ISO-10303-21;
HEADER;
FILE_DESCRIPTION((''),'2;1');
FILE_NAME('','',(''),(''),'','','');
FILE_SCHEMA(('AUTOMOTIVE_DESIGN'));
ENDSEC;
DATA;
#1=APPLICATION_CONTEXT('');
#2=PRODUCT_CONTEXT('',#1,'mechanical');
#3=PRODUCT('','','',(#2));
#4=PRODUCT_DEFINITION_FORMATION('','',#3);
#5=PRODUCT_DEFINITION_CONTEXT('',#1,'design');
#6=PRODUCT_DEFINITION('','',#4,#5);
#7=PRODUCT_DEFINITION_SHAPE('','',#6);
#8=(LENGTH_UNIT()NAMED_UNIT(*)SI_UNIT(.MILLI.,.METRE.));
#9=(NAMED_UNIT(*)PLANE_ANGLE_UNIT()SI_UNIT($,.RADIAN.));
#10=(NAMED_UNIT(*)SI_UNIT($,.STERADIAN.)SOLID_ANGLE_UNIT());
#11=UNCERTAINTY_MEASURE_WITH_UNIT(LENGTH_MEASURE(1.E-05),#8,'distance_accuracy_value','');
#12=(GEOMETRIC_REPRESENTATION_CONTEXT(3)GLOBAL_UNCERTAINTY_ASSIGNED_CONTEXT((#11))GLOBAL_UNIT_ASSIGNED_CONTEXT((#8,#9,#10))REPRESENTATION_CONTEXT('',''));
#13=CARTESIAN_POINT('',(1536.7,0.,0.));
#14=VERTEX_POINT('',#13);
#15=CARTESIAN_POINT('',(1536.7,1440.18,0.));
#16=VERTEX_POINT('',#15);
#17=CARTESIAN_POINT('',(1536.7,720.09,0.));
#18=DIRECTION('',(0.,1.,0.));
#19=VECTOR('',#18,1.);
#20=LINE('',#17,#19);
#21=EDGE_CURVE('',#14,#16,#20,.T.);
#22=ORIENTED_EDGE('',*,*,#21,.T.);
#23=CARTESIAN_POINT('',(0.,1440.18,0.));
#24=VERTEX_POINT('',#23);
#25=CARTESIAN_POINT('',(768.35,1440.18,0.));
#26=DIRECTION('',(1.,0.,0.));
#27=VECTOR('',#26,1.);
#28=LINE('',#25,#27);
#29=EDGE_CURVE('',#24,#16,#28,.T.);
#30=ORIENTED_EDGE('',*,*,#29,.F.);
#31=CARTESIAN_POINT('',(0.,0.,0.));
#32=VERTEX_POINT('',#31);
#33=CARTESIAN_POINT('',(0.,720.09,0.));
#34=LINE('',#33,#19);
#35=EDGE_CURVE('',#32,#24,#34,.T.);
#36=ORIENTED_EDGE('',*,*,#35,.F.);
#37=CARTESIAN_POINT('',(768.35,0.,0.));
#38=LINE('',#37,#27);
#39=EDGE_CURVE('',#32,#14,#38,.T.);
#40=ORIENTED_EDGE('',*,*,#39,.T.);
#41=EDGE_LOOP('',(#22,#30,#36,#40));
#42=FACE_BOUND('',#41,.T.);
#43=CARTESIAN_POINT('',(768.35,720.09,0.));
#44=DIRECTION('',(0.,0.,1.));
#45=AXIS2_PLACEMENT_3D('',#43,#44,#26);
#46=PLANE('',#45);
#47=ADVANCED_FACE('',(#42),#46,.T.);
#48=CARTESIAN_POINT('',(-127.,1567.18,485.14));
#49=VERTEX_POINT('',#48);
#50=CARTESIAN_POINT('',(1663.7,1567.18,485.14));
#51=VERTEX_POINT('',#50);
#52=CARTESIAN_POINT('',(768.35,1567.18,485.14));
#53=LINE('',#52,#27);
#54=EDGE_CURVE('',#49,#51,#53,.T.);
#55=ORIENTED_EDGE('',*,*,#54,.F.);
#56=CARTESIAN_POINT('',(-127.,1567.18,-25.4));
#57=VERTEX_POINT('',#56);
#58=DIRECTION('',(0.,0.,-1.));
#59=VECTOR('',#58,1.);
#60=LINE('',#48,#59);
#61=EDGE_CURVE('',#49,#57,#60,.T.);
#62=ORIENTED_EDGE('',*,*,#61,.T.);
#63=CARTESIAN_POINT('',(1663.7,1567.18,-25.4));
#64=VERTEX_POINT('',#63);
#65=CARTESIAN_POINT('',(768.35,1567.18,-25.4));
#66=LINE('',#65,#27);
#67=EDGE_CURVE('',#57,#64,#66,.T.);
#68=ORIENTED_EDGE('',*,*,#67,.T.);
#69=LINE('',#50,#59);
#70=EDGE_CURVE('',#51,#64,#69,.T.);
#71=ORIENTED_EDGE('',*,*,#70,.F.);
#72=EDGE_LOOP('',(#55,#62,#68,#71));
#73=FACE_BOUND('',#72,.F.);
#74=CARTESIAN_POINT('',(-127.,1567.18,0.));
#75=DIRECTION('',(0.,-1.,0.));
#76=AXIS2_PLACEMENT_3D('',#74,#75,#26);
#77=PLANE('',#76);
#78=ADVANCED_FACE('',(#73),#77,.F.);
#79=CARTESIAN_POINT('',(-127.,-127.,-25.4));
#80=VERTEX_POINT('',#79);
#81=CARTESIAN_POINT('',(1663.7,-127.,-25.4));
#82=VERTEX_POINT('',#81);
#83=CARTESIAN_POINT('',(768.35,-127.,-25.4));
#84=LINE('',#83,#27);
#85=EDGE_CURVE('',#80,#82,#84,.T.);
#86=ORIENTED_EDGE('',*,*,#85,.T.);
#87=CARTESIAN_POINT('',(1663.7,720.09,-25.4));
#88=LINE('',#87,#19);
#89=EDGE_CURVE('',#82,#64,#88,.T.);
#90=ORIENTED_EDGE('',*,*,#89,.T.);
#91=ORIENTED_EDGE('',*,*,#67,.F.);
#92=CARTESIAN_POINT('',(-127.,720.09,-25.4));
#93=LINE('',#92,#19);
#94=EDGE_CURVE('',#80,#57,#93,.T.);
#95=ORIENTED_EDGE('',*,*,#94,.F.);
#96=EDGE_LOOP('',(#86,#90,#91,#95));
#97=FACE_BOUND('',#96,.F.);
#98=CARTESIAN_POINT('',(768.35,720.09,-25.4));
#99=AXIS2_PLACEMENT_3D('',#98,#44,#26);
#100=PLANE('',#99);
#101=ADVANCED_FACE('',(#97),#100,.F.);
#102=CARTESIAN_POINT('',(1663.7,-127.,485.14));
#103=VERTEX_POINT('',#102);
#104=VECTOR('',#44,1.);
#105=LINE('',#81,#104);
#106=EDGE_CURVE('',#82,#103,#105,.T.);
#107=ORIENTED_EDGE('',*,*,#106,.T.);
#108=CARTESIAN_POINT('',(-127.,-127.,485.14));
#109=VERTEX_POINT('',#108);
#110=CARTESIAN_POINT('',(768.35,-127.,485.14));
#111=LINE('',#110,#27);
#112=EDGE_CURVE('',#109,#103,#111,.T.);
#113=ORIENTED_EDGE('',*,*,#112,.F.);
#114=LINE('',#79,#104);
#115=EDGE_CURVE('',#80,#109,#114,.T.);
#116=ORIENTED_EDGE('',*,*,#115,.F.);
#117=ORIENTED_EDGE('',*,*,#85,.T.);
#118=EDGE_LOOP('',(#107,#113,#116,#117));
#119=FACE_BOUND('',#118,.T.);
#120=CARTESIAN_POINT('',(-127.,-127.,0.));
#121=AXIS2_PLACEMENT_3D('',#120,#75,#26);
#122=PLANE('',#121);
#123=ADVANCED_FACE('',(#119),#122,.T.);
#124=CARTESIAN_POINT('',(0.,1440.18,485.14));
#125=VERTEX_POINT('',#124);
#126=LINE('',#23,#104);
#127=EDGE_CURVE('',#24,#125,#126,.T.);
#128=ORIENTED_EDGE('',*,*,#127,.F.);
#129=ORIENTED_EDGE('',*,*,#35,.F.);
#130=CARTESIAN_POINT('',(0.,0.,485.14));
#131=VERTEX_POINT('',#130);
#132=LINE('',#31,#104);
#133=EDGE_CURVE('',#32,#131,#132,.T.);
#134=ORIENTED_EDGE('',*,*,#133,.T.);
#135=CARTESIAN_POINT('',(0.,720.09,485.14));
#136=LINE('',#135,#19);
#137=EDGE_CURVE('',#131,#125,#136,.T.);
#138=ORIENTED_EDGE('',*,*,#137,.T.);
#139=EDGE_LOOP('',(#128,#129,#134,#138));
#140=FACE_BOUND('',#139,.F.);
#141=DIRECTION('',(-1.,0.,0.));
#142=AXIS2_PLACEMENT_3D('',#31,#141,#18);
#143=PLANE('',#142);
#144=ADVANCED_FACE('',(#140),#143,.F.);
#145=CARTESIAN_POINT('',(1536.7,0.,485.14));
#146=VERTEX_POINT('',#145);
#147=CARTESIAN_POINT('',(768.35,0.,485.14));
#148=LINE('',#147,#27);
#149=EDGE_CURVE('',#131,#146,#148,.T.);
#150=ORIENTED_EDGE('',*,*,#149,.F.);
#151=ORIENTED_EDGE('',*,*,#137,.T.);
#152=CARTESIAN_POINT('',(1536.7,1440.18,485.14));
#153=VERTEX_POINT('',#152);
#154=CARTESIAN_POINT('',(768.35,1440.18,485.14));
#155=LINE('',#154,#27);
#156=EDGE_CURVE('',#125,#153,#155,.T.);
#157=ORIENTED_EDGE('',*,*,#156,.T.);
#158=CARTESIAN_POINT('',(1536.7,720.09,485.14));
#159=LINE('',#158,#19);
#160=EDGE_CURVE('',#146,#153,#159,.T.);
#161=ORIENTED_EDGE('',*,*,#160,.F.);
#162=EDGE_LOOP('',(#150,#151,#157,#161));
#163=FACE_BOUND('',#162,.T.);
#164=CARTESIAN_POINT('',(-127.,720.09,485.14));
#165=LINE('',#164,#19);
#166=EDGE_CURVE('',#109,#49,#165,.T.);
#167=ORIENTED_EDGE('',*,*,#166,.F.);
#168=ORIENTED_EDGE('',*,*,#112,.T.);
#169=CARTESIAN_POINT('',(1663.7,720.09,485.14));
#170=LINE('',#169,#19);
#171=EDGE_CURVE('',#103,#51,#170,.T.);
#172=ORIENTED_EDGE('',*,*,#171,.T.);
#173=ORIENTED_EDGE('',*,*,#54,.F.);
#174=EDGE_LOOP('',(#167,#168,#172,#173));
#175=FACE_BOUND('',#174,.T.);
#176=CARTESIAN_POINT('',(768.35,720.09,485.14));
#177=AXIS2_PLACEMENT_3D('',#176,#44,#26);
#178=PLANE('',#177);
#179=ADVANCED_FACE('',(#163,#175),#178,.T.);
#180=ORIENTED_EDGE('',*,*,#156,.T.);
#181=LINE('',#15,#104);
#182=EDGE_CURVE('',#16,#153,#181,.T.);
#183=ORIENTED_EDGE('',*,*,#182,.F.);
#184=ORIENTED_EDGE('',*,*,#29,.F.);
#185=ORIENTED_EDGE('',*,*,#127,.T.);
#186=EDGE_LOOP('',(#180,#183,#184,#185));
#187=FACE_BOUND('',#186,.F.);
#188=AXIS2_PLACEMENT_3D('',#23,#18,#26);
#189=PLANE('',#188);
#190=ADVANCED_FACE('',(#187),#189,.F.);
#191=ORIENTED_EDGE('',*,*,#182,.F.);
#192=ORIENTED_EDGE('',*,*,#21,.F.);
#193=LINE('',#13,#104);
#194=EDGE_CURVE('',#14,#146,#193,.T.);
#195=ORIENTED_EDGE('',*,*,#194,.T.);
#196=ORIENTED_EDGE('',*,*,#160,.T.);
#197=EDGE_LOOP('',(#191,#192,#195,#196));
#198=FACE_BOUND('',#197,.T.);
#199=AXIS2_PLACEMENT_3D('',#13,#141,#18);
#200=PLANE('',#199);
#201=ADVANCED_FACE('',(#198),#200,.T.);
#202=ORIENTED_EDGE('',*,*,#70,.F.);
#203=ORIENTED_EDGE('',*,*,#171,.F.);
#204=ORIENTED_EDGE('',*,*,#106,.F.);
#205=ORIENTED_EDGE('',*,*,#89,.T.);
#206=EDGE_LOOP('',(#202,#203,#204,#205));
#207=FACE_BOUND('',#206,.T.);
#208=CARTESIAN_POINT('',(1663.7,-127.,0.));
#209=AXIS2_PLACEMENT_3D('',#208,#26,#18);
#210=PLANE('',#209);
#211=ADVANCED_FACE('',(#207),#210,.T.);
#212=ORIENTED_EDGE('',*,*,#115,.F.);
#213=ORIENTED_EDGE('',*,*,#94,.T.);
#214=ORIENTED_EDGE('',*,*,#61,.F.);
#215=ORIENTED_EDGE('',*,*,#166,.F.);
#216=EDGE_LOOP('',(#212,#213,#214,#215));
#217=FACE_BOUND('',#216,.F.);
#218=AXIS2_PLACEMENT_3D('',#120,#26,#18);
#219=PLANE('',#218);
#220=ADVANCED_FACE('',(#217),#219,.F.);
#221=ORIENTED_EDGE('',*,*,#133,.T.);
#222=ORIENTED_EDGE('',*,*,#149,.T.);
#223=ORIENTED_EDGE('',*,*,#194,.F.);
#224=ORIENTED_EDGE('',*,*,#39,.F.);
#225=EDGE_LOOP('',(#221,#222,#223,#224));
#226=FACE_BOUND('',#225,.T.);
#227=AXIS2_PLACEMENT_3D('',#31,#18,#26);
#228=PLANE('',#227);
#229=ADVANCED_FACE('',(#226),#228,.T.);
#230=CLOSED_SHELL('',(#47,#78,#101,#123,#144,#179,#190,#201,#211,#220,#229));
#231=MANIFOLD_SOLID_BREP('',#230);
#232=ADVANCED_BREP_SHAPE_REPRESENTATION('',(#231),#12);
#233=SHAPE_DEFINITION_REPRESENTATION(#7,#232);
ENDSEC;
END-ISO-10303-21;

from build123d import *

# Parameters (mm, degrees)
F0_W     = 1790.7
F0_H     = 1694.18
F0_W_2   = 1536.7
F0_H_2   = 1440.18
F1_DEPTH = 485.14
F2_DEPTH = 25.4


with BuildPart() as f1:
    # F0 (on Top) → F1 (new body)
    with BuildSketch(Plane.XY):
        with Locations((768.35, 720.09)):
            Rectangle(F0_W, F0_H)
        with Locations((768.35, 720.09)):
            Rectangle(F0_W_2, F0_H_2, mode=Mode.SUBTRACT)
    extrude(amount=F1_DEPTH)

    # F0 (on Top) → F2 (join)
    with BuildSketch(Plane.XY):
        with Locations((768.35, 720.09)):
            Rectangle(F0_W, F0_H)
        with Locations((768.35, 720.09)):
            Rectangle(F0_W_2, F0_H_2, mode=Mode.SUBTRACT)
        with Locations((768.35, 720.09)):
            Rectangle(F0_W_2, F0_H_2)
    extrude(amount=-F2_DEPTH)


solid = f1.part
